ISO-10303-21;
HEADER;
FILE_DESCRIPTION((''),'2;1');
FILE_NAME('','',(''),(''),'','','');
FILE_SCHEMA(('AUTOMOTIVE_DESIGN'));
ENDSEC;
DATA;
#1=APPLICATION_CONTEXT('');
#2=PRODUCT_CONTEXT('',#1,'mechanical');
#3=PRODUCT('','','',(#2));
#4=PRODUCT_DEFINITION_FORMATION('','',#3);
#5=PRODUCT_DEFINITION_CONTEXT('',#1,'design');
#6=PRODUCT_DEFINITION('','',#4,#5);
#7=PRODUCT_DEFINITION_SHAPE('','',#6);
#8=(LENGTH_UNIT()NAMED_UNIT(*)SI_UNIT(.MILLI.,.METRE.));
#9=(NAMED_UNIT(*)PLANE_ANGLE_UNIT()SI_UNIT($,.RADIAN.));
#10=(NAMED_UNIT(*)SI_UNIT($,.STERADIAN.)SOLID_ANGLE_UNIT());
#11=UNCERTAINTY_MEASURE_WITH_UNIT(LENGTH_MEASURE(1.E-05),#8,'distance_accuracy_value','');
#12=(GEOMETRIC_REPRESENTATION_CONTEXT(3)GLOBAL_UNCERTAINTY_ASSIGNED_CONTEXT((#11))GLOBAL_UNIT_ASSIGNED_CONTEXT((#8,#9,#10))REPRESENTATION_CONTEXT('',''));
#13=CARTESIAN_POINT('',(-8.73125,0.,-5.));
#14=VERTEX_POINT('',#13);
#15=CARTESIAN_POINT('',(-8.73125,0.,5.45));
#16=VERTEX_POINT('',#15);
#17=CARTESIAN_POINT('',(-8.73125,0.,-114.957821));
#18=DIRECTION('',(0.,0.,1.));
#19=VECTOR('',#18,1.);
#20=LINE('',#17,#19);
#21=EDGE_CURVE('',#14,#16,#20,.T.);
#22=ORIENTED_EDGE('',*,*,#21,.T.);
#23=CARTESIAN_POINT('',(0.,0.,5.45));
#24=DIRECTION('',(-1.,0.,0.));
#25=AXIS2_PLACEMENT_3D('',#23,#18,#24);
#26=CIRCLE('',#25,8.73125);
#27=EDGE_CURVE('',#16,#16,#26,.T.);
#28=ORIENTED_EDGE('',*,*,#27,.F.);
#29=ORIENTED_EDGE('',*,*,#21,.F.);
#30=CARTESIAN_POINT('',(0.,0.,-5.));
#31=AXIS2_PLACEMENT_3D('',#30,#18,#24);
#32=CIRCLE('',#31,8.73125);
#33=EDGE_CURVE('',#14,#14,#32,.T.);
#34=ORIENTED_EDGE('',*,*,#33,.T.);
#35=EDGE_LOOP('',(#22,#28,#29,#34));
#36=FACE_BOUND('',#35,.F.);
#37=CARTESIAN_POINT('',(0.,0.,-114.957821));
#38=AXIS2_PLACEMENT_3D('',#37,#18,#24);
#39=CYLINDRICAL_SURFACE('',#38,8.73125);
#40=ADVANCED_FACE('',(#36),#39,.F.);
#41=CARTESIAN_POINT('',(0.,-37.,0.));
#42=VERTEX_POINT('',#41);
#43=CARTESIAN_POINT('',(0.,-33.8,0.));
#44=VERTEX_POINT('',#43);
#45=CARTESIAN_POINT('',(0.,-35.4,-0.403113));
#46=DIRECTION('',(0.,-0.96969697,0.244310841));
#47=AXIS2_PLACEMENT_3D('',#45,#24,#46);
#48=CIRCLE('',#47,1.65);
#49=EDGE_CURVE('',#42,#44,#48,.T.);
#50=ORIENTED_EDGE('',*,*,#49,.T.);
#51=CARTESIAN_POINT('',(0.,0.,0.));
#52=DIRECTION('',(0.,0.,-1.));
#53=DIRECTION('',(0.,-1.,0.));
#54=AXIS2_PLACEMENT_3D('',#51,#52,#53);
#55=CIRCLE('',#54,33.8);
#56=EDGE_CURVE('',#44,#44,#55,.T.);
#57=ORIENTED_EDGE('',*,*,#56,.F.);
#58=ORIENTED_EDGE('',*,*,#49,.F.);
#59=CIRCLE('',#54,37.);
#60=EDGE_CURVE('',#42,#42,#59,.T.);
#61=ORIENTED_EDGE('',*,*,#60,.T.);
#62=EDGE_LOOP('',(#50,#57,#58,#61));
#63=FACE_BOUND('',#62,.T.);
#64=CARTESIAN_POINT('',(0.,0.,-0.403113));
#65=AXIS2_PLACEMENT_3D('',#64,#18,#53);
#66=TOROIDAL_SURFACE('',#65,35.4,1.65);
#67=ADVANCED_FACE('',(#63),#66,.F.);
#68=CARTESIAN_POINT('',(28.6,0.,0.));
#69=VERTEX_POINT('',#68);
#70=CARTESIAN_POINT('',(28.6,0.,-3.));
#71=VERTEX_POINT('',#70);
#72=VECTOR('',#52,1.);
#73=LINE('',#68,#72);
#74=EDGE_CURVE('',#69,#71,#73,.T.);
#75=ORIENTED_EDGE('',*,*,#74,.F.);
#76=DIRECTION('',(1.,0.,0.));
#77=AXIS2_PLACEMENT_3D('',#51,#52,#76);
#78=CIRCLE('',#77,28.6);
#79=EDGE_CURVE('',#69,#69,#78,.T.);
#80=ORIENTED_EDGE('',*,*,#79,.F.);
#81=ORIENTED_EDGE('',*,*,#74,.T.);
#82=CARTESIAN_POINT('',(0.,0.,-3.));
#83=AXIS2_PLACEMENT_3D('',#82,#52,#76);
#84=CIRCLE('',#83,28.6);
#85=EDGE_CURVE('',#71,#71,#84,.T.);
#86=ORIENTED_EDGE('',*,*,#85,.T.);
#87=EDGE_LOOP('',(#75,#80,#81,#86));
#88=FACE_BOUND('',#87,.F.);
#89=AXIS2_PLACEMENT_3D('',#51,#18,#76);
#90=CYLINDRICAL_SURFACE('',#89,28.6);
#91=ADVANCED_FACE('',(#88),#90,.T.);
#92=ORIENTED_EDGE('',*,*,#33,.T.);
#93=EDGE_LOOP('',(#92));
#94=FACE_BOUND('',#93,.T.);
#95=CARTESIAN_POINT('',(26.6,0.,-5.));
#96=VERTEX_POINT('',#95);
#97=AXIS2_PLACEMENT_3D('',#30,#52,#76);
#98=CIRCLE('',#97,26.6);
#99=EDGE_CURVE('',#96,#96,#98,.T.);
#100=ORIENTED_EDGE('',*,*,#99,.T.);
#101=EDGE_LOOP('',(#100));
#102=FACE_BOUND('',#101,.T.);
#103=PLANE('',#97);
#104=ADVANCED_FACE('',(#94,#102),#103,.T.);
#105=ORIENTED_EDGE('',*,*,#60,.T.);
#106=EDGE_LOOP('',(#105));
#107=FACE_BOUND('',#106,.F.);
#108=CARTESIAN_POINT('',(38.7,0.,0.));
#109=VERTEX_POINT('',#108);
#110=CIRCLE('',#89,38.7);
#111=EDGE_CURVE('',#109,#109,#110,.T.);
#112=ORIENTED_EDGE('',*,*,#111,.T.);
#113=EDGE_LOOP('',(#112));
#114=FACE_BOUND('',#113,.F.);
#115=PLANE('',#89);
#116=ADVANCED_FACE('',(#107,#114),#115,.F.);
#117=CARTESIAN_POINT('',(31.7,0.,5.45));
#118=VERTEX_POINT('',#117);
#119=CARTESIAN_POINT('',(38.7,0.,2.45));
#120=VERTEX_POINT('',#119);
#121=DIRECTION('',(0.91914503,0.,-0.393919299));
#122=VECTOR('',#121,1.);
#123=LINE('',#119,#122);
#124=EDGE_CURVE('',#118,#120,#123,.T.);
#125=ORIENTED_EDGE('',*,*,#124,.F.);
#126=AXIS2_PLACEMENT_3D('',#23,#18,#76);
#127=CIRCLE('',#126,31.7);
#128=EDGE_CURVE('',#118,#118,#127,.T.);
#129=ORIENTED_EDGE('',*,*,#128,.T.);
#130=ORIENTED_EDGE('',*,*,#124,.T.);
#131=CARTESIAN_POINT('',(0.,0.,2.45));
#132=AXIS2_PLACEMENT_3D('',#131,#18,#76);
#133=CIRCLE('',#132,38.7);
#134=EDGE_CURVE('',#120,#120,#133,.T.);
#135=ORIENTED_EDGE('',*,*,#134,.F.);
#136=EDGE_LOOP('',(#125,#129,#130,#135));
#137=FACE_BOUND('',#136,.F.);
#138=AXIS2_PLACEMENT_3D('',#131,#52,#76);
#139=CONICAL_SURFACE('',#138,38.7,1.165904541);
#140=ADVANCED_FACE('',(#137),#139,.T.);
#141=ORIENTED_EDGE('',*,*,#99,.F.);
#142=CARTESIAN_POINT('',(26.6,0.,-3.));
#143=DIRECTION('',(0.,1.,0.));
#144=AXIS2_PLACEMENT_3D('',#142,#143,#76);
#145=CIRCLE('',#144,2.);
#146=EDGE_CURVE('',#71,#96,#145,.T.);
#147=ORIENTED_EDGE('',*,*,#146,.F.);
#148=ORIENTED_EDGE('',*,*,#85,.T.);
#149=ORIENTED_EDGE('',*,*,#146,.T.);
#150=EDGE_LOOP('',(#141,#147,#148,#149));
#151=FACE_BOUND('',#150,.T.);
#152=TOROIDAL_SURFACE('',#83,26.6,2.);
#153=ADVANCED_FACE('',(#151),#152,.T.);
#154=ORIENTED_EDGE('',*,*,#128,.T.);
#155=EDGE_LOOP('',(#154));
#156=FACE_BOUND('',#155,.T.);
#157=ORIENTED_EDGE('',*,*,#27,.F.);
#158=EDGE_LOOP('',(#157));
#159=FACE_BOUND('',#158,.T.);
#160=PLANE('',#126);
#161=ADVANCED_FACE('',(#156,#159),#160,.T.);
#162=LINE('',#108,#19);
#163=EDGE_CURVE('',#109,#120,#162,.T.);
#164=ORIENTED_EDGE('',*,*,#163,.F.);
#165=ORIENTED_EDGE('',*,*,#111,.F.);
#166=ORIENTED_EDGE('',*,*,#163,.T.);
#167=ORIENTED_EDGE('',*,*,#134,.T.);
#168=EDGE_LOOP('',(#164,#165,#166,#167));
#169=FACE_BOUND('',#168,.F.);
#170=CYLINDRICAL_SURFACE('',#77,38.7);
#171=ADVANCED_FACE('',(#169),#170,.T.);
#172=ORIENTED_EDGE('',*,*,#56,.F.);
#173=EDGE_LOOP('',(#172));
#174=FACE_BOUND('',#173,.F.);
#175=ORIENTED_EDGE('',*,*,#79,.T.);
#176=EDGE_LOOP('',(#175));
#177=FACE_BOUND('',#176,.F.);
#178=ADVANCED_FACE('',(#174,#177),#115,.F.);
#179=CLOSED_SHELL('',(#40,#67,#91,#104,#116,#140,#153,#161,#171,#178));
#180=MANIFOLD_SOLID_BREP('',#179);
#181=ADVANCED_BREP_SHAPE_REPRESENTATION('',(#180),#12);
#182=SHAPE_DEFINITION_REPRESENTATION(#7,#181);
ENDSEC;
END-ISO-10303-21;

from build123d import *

# Parameters (mm, degrees)
F0_R     = 38.7
F1_DEPTH = 5.45
F2_R     = 28.6
F3_DEPTH = 5
F4_SIZE2 = 3
F4_SIZE  = 7
F5_R     = 2
F12_D    = 17.4625


with BuildPart() as f1:
    # F0 (on Top) → F1 (new body)
    with BuildSketch(Plane.XY):
        Circle(F0_R)
    extrude(amount=F1_DEPTH)

    # F2 (on face) → F3 (join)
    with BuildSketch(Plane(origin=(0, 0, 0), x_dir=(1, 0, 0), z_dir=(0, 0, -1))):
        Circle(F2_R)
    extrude(amount=F3_DEPTH)

    # F4
    f4_edges = [f1.edges().sort_by_distance(p)[0] for p in [
        (-38.7, 0, 5.45),
    ]]
    f4_side = f1.faces().sort_by_distance((0, 0, 5.45))[0]
    chamfer(f4_edges, length=F4_SIZE, length2=F4_SIZE2, reference=f4_side)

    # F5
    f5_edges = [f1.edges().sort_by_distance(p)[0] for p in [
        (-28.6, 0, -5),
    ]]
    fillet(f5_edges, radius=F5_R)

    # F9 (on 3pt) → F11 (revolve, cut)
    with BuildSketch(Plane(origin=(0, 0, 0), x_dir=(0, -1, 0), z_dir=(-1, 0, 0))):
        with BuildLine():
            Line((33.8, 0), (37, 0))
            ThreePointArc((37, 0), (35.4, 1.2468871126), (33.8, 0))
        make_face()
    revolve(axis=Axis((0, 0, 7.6663349755), (0, 0, -1)), mode=Mode.SUBTRACT)

    # F12 (through all)
    with Locations(Plane(origin=(0, 0, -5), x_dir=(1, 0, 0), z_dir=(0, 0, -1))):
        with Locations((0, 0)):
            Hole(F12_D / 2)


solid = f1.part
